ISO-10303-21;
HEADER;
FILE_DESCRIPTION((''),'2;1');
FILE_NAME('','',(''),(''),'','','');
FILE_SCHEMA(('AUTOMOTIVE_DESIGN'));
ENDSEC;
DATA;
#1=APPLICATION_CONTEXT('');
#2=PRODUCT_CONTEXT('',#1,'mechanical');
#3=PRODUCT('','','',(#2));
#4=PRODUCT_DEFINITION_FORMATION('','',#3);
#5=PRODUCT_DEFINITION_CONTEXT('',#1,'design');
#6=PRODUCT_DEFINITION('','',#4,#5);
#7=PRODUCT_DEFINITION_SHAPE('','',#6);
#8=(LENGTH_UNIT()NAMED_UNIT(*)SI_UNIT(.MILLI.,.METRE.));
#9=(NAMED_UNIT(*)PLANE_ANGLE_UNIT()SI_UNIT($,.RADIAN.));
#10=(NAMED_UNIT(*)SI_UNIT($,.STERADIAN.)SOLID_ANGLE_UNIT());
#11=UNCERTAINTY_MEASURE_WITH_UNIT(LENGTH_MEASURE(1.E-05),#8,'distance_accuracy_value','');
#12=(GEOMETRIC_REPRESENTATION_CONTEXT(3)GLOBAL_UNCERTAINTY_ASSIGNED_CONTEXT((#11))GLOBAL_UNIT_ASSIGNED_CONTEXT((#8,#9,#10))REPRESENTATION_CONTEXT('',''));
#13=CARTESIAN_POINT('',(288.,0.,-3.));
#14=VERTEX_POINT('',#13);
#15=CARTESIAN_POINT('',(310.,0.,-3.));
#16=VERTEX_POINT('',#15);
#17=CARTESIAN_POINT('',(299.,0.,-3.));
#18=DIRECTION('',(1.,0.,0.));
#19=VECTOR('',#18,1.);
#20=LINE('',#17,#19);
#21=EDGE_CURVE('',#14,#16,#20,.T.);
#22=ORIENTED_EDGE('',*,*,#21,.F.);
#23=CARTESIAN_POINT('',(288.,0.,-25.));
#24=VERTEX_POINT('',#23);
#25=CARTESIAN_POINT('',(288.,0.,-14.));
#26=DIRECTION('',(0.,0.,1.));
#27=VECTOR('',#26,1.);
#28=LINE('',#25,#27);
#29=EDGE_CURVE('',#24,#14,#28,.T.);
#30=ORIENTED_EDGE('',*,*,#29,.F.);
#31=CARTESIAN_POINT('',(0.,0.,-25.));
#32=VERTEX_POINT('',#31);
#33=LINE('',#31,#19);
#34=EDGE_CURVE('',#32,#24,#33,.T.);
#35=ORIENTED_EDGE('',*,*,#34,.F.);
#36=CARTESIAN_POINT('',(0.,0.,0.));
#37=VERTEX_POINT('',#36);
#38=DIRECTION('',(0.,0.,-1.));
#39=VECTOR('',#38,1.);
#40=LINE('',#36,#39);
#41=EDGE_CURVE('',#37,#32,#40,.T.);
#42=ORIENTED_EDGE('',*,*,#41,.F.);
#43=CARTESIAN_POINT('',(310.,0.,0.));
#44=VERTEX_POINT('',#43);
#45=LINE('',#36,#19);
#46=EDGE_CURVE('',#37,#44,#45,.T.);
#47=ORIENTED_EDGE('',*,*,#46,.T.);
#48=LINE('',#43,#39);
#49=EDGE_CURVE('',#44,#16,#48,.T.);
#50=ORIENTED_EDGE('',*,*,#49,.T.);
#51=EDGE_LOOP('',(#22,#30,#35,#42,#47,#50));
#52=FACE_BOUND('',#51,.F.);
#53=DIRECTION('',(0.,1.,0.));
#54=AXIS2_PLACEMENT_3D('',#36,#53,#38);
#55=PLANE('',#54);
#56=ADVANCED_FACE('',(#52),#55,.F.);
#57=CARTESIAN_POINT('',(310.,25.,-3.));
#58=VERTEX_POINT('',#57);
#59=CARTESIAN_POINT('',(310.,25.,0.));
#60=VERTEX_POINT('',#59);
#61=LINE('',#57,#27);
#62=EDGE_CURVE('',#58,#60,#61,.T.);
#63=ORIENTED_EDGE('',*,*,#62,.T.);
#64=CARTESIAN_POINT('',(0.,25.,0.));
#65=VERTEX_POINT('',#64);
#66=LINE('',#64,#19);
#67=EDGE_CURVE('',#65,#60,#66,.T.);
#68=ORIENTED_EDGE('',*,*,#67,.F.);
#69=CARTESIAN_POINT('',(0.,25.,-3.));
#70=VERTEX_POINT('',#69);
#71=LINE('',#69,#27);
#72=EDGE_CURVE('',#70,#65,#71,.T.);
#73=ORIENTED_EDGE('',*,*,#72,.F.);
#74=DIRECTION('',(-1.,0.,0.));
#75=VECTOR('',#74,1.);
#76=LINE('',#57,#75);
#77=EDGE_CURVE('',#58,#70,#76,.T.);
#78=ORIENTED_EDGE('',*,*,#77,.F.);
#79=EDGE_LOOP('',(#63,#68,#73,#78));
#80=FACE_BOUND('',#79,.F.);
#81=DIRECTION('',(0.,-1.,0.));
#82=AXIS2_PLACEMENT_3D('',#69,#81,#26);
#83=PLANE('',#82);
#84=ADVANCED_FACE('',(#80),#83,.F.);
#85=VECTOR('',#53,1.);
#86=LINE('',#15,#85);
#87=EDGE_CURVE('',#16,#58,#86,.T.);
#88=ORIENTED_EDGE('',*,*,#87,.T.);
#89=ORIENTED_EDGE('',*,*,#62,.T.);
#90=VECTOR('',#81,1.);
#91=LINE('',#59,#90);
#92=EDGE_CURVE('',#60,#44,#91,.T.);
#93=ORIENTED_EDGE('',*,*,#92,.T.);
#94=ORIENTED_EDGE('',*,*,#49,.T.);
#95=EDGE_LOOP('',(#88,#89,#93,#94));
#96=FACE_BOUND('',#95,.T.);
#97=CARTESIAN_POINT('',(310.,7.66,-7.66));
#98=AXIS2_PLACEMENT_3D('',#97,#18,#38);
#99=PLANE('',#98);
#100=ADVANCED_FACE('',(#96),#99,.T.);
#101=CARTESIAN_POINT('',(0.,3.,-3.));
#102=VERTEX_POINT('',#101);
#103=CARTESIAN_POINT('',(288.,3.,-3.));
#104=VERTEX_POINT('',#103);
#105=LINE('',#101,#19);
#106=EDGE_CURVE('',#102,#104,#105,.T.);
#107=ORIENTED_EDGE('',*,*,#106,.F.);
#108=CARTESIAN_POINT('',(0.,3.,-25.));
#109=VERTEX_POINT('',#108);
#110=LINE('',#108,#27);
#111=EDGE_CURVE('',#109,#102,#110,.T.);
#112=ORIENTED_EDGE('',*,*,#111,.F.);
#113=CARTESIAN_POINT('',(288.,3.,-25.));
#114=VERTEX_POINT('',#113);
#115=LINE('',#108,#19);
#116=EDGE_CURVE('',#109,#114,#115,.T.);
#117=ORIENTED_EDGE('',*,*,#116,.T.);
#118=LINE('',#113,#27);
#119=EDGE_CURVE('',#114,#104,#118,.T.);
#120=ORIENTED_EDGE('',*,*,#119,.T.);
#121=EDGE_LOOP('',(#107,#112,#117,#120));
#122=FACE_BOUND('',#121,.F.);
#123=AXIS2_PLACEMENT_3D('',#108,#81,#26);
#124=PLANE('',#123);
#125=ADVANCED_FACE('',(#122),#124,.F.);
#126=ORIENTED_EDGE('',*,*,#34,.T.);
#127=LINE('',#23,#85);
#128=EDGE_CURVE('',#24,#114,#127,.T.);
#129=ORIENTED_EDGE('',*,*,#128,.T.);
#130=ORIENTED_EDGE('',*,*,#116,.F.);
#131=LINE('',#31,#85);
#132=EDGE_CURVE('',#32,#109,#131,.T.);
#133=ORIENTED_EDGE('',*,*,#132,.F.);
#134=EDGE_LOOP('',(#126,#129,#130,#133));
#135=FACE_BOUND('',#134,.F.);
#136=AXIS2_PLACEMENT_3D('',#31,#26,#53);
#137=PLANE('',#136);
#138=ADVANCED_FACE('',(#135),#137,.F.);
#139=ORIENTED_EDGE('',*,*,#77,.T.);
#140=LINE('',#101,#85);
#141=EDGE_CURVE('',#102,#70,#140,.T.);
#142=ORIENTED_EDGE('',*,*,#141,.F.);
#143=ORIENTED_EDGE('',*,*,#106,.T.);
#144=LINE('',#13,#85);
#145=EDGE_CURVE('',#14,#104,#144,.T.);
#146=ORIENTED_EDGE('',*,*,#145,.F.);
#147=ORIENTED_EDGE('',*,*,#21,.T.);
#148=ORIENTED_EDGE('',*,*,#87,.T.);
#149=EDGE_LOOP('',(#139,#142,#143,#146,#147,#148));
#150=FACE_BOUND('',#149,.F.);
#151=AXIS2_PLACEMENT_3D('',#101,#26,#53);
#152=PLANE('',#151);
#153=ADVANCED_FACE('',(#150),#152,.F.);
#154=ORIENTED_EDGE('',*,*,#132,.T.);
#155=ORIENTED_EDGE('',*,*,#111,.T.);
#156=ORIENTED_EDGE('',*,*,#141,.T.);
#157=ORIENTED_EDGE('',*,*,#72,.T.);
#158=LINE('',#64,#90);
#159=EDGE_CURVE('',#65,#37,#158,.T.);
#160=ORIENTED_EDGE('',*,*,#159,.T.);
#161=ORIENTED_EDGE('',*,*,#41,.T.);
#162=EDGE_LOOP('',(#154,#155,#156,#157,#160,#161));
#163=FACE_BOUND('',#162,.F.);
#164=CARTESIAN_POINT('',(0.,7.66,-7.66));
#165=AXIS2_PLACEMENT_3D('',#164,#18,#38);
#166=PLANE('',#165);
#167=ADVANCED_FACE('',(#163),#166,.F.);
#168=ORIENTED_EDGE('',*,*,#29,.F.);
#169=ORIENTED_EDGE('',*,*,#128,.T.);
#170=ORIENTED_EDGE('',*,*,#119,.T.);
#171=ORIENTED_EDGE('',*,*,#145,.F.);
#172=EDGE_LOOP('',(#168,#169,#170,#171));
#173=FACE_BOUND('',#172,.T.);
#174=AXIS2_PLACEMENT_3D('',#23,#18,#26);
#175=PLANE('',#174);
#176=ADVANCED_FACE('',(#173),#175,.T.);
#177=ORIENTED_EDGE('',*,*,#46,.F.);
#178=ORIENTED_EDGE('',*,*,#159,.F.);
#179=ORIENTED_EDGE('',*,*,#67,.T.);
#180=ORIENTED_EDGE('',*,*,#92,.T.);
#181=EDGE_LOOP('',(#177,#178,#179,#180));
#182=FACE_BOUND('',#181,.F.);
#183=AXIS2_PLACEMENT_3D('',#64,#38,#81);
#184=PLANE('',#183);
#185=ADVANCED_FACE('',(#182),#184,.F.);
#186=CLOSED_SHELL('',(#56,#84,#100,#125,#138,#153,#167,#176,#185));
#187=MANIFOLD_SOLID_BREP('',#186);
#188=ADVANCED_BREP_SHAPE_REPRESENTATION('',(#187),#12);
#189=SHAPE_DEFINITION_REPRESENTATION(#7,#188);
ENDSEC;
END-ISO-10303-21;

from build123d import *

# Parameters (mm, degrees)
EXTRUDE_1_DEPTH     = 310
SKETCH_2_W          = 22
SKETCH_2_H          = 22
CUT_EXTRUDE_1_DEPTH = 26


with BuildPart() as part:
    # Эскиз1 → Вытянуть-Тонкостенный1 (new body)
    with BuildSketch(Plane(origin=(0, 0, 0), x_dir=(0, 0, -1), z_dir=(1, 0, 0))):
        Polygon((0, 25), (0, 0), (25, 0), (25, 3), (3, 3), (3, 25), align=None)
    extrude(amount=EXTRUDE_1_DEPTH)

    # Эскиз2 → Вырез-Вытянуть1 (cut, through all)
    with BuildSketch(Plane.XZ):
        with Locations((299, -14)):
            Rectangle(SKETCH_2_W, SKETCH_2_H)
    extrude(amount=-CUT_EXTRUDE_1_DEPTH, mode=Mode.SUBTRACT)


solid = part.part
